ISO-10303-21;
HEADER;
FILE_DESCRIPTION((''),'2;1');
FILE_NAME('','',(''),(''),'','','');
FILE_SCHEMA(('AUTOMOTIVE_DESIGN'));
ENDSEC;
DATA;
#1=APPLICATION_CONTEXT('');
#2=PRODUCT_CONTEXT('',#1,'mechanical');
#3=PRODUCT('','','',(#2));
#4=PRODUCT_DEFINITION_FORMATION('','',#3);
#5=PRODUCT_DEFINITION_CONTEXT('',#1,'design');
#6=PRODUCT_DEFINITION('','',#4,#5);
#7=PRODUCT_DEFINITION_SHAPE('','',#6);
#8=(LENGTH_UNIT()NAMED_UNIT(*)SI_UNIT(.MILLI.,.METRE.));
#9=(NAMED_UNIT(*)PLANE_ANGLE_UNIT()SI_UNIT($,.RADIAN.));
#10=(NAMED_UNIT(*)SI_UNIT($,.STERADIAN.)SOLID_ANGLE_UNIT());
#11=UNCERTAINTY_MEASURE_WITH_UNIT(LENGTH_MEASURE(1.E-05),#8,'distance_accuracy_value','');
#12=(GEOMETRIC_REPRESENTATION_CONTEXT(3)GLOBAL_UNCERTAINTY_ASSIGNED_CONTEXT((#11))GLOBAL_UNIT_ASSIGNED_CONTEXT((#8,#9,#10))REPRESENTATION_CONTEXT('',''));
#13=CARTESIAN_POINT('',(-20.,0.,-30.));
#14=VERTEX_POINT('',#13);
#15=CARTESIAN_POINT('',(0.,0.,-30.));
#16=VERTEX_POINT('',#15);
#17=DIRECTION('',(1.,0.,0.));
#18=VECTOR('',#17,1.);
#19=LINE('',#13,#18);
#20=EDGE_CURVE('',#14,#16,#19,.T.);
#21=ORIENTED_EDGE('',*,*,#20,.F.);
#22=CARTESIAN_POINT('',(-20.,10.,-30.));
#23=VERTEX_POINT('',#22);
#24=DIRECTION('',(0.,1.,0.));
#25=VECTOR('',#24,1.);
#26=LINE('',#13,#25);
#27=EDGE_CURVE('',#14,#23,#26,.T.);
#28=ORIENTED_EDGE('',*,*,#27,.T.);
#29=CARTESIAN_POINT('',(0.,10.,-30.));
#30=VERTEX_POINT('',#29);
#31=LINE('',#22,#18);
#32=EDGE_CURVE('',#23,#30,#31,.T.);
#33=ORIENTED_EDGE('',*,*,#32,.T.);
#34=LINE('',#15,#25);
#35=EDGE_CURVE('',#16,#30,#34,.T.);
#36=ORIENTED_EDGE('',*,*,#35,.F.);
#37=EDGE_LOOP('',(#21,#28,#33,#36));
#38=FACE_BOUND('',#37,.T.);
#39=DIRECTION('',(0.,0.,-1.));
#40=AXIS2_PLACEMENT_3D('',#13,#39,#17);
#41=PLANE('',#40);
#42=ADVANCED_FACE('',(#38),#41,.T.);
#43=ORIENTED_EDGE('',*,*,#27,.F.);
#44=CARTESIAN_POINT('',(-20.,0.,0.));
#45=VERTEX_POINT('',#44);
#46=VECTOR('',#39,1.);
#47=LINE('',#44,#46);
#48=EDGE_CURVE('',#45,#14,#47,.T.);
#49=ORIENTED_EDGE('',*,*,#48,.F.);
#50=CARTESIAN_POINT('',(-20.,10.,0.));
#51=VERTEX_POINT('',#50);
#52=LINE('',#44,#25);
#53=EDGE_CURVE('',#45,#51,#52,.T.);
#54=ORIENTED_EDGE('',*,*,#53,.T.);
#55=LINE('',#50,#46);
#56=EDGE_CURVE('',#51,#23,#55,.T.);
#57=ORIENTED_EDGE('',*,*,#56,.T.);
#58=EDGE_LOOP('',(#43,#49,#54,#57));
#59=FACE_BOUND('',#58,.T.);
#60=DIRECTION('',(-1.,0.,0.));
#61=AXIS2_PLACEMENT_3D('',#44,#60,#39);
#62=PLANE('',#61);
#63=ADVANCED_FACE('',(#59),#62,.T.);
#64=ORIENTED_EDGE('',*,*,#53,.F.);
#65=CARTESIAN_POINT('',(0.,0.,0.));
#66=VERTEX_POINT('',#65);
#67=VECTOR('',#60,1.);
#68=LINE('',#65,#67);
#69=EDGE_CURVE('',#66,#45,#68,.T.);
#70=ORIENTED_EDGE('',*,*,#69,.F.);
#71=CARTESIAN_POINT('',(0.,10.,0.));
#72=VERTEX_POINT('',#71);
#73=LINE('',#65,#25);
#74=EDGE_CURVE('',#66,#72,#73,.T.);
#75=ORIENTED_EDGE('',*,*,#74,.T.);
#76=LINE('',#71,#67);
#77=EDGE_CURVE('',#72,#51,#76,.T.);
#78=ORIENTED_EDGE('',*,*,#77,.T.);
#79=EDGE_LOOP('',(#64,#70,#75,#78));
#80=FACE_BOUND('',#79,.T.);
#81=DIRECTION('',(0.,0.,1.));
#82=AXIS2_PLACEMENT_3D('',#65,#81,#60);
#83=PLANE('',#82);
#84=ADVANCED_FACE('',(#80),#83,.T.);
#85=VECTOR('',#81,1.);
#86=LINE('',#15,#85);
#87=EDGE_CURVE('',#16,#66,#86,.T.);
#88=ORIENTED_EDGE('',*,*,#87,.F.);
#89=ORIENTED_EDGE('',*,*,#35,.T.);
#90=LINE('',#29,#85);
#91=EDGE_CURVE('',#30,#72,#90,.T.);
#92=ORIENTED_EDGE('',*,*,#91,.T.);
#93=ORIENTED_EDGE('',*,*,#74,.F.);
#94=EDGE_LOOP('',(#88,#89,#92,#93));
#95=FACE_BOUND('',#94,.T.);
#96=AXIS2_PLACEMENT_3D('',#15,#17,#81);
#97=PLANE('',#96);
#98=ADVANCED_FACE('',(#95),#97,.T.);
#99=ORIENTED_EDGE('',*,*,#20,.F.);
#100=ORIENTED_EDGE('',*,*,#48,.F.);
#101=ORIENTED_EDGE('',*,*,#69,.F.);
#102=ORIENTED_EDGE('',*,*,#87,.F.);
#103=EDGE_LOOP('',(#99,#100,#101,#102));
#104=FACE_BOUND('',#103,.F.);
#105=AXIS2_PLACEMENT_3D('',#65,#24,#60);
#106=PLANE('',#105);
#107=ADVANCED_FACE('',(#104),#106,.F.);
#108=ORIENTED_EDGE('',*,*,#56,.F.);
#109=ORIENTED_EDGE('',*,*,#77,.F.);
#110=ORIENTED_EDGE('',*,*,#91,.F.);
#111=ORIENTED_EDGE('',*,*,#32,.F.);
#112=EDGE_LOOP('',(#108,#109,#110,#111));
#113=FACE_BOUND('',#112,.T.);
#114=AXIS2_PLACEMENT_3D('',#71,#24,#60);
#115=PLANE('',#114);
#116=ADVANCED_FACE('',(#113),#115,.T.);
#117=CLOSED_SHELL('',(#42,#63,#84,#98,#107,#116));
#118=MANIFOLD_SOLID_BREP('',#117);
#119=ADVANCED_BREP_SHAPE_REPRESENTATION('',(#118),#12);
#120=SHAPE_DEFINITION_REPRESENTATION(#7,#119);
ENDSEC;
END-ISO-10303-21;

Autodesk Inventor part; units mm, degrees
ref_plane "YZ Plane" through (0, 0, 0) normal (1, 0, 0) x (0, 1, 0)
ref_plane "XZ Plane" through (0, 0, 0) normal (0, 1, 0) x (-1, 0, 0)
ref_plane "XY Plane" through (0, 0, 0) normal (0, 0, 1) x (1, 0, 0)
sketch "Sketch1" plane through (0, 0, 0) normal (0, 1, 0) x (-1, 0, 0)
  line L0 (0, 0) -> (20, 0)
  line L1 (20, 0) -> (20, -30)
  line L2 (20, -30) -> (0, -30)
  line L3 (0, -30) -> (0, 0)
  dimension "d0" = 20
  dimension "d1" = 30
extrude "Extrusion1" add sketch "Sketch1" along normal blind 10
